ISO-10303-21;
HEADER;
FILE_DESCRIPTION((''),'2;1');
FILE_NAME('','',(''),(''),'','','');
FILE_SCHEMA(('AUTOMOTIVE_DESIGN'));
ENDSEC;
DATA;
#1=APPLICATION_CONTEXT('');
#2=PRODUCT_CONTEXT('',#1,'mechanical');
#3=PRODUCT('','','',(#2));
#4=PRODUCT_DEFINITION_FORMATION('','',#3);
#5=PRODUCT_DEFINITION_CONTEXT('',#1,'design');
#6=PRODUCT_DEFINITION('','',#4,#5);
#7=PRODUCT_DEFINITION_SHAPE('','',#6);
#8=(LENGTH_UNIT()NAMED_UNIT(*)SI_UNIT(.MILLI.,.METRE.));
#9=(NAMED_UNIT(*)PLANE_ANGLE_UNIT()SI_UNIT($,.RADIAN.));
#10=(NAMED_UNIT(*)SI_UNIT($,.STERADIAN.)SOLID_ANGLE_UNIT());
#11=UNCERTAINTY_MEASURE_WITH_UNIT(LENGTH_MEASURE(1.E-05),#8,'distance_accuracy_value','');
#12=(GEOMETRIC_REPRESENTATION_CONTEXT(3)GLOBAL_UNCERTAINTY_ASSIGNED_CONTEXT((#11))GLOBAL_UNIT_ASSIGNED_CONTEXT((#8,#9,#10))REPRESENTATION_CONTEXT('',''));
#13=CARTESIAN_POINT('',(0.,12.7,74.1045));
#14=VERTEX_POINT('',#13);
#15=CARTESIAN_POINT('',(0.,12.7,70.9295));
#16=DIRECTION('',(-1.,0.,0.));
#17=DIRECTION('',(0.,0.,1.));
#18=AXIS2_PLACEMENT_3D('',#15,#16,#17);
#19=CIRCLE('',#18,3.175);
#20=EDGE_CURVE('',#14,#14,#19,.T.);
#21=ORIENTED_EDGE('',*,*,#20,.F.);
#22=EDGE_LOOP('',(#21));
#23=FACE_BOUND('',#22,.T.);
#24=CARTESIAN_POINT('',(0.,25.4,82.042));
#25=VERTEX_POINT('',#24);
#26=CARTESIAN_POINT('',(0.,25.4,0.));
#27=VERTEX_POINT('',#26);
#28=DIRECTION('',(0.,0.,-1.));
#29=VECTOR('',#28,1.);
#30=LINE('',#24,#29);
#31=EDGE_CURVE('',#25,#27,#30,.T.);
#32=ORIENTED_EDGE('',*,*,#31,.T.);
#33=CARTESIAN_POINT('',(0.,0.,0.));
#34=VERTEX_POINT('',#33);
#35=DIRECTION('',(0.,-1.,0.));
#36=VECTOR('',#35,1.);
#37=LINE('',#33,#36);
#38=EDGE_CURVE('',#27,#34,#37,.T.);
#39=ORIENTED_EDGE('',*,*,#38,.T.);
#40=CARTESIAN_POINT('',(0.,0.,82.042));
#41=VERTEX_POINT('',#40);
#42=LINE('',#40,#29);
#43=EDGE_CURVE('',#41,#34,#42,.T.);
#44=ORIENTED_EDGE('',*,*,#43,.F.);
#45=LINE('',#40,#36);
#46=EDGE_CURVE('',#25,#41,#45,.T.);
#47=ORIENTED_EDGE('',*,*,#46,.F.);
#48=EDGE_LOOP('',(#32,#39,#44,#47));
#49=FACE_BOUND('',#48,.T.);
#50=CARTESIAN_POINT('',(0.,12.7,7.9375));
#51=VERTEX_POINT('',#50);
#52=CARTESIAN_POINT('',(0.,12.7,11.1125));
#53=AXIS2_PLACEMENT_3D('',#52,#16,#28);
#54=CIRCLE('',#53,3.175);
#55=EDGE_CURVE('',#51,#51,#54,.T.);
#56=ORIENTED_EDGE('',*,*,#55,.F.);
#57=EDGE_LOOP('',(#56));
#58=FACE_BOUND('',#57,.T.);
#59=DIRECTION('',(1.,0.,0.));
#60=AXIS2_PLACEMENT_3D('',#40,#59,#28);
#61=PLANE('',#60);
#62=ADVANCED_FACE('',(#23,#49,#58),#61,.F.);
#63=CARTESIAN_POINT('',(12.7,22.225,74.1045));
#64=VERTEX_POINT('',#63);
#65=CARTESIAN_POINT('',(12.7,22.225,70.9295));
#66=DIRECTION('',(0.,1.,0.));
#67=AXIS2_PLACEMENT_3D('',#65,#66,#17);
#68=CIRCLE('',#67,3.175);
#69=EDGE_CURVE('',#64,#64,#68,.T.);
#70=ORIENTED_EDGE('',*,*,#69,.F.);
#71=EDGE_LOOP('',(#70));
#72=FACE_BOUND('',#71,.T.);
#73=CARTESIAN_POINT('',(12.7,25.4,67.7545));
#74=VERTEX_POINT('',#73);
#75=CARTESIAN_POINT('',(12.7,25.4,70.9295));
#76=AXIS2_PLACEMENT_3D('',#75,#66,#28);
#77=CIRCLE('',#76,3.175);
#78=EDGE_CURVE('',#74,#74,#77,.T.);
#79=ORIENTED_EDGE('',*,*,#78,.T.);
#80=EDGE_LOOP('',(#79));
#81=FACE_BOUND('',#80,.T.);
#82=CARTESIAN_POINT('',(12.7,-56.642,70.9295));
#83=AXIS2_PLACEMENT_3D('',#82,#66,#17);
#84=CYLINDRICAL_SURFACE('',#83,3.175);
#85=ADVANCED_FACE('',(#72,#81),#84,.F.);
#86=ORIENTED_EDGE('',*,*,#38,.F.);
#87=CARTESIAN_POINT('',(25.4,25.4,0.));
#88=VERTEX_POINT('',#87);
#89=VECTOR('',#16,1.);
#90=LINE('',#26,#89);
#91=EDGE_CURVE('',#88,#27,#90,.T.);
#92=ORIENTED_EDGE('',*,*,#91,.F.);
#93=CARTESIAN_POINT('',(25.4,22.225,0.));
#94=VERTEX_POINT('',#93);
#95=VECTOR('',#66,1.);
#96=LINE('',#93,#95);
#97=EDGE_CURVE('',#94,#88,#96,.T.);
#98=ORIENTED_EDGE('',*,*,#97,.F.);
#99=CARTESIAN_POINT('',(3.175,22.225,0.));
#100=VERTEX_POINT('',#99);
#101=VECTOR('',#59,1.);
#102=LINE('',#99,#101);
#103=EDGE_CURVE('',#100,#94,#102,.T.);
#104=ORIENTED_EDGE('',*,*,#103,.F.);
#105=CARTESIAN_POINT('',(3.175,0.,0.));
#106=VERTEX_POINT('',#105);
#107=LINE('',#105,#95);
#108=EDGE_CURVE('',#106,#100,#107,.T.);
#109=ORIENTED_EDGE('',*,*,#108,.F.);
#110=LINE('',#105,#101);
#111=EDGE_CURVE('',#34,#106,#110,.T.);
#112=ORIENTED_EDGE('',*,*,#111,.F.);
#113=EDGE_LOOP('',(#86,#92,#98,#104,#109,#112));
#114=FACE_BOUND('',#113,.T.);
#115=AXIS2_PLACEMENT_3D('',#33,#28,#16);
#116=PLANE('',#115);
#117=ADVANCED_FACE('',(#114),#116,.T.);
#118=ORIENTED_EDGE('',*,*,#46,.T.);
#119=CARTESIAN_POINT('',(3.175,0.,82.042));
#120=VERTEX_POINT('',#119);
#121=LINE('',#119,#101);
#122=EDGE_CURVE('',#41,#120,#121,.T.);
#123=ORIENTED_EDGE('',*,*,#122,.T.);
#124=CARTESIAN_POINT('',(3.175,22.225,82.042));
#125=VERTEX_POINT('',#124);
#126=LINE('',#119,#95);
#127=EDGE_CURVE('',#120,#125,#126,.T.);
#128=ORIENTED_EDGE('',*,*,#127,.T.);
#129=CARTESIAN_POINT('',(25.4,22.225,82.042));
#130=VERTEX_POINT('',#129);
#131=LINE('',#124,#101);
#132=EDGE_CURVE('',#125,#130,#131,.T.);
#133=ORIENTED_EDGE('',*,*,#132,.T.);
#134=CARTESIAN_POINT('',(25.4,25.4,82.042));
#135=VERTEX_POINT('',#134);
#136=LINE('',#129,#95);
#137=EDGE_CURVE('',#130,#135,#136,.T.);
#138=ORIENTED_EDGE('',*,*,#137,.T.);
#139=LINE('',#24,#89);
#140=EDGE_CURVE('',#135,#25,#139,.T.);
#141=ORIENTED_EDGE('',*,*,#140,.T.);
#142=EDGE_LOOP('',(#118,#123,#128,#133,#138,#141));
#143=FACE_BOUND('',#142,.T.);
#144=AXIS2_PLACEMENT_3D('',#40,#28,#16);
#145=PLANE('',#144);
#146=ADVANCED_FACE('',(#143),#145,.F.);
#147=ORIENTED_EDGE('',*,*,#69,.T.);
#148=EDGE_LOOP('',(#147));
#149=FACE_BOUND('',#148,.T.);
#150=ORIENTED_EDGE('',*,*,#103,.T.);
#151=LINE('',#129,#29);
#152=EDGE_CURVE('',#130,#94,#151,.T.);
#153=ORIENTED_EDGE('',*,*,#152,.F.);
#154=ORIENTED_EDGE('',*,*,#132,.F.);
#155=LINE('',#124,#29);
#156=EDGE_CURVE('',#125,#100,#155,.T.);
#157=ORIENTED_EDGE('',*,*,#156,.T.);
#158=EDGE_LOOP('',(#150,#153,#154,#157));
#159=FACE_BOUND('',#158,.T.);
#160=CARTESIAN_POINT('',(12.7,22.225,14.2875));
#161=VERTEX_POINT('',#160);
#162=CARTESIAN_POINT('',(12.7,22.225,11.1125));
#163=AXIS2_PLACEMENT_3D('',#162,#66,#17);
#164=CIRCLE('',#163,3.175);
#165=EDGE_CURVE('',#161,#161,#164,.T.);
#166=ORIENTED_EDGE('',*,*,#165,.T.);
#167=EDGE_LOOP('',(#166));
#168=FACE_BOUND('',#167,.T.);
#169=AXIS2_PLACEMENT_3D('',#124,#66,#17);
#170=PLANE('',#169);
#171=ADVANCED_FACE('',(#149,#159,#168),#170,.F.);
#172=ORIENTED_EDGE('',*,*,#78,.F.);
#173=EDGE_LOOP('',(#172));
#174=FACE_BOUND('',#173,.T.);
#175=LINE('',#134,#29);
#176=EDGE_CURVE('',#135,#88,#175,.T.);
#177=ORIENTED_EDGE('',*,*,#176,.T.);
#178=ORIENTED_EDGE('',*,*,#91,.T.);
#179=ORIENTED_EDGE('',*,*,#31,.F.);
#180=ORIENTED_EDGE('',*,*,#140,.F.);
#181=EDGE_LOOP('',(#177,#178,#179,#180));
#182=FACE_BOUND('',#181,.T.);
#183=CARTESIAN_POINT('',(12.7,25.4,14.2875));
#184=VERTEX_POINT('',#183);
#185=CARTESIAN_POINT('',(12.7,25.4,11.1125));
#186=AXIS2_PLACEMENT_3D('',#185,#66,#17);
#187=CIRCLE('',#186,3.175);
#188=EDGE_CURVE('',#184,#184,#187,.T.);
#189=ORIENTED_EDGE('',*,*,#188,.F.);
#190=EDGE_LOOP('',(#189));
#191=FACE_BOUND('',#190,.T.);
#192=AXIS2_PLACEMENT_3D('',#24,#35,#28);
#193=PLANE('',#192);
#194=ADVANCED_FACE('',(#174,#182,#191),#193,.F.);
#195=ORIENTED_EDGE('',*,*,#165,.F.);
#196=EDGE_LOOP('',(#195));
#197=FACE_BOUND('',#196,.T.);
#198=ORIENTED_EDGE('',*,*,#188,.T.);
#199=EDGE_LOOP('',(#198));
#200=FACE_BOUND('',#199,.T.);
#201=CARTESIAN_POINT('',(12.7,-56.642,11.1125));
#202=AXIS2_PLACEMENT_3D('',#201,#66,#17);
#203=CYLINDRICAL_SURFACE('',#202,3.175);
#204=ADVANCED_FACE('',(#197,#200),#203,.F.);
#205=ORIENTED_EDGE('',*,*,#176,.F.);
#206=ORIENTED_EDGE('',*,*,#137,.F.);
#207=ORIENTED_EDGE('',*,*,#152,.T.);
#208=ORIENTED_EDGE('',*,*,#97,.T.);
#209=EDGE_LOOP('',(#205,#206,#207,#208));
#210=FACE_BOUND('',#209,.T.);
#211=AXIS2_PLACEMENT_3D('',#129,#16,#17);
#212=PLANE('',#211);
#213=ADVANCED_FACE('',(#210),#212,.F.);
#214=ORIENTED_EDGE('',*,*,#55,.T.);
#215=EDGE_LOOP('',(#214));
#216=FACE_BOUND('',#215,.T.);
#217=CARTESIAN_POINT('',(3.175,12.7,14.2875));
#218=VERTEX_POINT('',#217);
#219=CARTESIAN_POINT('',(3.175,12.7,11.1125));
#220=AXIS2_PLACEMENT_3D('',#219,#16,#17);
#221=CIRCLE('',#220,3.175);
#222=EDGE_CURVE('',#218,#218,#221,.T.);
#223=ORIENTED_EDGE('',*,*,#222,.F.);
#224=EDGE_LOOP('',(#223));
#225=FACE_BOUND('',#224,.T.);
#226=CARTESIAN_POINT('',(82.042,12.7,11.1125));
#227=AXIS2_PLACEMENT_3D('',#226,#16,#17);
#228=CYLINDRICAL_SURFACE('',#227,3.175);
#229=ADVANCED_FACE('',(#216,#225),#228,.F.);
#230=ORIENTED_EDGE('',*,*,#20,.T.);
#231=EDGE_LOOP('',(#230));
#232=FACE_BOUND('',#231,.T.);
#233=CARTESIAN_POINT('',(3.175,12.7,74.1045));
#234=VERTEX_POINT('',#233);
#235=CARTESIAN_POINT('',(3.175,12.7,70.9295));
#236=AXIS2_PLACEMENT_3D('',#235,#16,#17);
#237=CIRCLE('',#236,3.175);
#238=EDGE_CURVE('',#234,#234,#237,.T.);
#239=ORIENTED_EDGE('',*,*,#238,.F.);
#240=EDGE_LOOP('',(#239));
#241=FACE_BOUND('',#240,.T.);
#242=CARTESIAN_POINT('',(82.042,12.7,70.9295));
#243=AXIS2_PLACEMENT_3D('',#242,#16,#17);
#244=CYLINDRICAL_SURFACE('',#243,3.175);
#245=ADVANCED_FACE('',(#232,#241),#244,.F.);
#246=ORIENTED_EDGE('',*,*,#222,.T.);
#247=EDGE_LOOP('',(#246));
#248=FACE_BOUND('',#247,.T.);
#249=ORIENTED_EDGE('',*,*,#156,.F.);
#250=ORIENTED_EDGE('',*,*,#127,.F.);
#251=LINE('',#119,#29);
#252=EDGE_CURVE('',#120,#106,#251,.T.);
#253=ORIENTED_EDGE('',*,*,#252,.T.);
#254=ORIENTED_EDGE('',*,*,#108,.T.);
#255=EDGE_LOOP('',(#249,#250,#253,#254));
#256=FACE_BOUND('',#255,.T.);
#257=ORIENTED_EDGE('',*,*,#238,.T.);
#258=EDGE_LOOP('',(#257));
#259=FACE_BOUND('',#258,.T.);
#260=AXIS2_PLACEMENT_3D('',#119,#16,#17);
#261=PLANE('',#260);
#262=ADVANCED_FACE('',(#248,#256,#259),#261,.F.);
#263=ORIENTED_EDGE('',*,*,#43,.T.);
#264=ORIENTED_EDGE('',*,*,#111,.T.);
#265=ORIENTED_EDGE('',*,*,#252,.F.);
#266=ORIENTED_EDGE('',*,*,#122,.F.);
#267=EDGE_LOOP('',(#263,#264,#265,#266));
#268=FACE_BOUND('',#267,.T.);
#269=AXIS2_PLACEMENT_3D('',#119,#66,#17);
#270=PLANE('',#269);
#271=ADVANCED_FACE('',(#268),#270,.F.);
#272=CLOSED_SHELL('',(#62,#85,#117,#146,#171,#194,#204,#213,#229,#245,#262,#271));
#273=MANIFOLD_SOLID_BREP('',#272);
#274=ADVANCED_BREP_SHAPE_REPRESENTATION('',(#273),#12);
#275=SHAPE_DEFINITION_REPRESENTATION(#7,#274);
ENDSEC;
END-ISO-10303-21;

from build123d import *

# Parameters (mm, degrees)
BOSS_EXTRUDE1_DEPTH = 82.042
SKETCH2_R           = 3.175
CUT_EXTRUDE2_DEPTH  = 82.042
SKETCH3_R           = 3.175
CUT_EXTRUDE3_DEPTH  = 82.042


with BuildPart() as part:
    # Sketch1 → Boss-Extrude1 (new body)
    with BuildSketch(Plane.XY):
        Polygon((0, 0), (0, 25.4), (25.4, 25.4), (25.4, 22.225), (3.175, 22.225), (3.175, 0), align=None)
    extrude(amount=BOSS_EXTRUDE1_DEPTH)

    # Sketch2 → Cut-Extrude2 (cut)
    with BuildSketch(Plane.ZY):
        with Locations((70.9295, 12.7)):
            Circle(SKETCH2_R)
        with Locations((11.1125, 12.7)):
            Circle(SKETCH2_R)
    extrude(amount=-CUT_EXTRUDE2_DEPTH, mode=Mode.SUBTRACT)

    # Sketch3 → Cut-Extrude3 (cut)
    with BuildSketch(Plane(origin=(0, 25.4, 0), x_dir=(1, 0, 0), z_dir=(0, 1, 0))):
        with Locations(Location((12.7, -11.1125, 0), (0, 0, 270))):
            Circle(SKETCH3_R)
        with Locations(Location((12.7, -70.9295, 0), (0, 0, 270))):
            Circle(SKETCH3_R)
    extrude(amount=-CUT_EXTRUDE3_DEPTH, mode=Mode.SUBTRACT)


solid = part.part
